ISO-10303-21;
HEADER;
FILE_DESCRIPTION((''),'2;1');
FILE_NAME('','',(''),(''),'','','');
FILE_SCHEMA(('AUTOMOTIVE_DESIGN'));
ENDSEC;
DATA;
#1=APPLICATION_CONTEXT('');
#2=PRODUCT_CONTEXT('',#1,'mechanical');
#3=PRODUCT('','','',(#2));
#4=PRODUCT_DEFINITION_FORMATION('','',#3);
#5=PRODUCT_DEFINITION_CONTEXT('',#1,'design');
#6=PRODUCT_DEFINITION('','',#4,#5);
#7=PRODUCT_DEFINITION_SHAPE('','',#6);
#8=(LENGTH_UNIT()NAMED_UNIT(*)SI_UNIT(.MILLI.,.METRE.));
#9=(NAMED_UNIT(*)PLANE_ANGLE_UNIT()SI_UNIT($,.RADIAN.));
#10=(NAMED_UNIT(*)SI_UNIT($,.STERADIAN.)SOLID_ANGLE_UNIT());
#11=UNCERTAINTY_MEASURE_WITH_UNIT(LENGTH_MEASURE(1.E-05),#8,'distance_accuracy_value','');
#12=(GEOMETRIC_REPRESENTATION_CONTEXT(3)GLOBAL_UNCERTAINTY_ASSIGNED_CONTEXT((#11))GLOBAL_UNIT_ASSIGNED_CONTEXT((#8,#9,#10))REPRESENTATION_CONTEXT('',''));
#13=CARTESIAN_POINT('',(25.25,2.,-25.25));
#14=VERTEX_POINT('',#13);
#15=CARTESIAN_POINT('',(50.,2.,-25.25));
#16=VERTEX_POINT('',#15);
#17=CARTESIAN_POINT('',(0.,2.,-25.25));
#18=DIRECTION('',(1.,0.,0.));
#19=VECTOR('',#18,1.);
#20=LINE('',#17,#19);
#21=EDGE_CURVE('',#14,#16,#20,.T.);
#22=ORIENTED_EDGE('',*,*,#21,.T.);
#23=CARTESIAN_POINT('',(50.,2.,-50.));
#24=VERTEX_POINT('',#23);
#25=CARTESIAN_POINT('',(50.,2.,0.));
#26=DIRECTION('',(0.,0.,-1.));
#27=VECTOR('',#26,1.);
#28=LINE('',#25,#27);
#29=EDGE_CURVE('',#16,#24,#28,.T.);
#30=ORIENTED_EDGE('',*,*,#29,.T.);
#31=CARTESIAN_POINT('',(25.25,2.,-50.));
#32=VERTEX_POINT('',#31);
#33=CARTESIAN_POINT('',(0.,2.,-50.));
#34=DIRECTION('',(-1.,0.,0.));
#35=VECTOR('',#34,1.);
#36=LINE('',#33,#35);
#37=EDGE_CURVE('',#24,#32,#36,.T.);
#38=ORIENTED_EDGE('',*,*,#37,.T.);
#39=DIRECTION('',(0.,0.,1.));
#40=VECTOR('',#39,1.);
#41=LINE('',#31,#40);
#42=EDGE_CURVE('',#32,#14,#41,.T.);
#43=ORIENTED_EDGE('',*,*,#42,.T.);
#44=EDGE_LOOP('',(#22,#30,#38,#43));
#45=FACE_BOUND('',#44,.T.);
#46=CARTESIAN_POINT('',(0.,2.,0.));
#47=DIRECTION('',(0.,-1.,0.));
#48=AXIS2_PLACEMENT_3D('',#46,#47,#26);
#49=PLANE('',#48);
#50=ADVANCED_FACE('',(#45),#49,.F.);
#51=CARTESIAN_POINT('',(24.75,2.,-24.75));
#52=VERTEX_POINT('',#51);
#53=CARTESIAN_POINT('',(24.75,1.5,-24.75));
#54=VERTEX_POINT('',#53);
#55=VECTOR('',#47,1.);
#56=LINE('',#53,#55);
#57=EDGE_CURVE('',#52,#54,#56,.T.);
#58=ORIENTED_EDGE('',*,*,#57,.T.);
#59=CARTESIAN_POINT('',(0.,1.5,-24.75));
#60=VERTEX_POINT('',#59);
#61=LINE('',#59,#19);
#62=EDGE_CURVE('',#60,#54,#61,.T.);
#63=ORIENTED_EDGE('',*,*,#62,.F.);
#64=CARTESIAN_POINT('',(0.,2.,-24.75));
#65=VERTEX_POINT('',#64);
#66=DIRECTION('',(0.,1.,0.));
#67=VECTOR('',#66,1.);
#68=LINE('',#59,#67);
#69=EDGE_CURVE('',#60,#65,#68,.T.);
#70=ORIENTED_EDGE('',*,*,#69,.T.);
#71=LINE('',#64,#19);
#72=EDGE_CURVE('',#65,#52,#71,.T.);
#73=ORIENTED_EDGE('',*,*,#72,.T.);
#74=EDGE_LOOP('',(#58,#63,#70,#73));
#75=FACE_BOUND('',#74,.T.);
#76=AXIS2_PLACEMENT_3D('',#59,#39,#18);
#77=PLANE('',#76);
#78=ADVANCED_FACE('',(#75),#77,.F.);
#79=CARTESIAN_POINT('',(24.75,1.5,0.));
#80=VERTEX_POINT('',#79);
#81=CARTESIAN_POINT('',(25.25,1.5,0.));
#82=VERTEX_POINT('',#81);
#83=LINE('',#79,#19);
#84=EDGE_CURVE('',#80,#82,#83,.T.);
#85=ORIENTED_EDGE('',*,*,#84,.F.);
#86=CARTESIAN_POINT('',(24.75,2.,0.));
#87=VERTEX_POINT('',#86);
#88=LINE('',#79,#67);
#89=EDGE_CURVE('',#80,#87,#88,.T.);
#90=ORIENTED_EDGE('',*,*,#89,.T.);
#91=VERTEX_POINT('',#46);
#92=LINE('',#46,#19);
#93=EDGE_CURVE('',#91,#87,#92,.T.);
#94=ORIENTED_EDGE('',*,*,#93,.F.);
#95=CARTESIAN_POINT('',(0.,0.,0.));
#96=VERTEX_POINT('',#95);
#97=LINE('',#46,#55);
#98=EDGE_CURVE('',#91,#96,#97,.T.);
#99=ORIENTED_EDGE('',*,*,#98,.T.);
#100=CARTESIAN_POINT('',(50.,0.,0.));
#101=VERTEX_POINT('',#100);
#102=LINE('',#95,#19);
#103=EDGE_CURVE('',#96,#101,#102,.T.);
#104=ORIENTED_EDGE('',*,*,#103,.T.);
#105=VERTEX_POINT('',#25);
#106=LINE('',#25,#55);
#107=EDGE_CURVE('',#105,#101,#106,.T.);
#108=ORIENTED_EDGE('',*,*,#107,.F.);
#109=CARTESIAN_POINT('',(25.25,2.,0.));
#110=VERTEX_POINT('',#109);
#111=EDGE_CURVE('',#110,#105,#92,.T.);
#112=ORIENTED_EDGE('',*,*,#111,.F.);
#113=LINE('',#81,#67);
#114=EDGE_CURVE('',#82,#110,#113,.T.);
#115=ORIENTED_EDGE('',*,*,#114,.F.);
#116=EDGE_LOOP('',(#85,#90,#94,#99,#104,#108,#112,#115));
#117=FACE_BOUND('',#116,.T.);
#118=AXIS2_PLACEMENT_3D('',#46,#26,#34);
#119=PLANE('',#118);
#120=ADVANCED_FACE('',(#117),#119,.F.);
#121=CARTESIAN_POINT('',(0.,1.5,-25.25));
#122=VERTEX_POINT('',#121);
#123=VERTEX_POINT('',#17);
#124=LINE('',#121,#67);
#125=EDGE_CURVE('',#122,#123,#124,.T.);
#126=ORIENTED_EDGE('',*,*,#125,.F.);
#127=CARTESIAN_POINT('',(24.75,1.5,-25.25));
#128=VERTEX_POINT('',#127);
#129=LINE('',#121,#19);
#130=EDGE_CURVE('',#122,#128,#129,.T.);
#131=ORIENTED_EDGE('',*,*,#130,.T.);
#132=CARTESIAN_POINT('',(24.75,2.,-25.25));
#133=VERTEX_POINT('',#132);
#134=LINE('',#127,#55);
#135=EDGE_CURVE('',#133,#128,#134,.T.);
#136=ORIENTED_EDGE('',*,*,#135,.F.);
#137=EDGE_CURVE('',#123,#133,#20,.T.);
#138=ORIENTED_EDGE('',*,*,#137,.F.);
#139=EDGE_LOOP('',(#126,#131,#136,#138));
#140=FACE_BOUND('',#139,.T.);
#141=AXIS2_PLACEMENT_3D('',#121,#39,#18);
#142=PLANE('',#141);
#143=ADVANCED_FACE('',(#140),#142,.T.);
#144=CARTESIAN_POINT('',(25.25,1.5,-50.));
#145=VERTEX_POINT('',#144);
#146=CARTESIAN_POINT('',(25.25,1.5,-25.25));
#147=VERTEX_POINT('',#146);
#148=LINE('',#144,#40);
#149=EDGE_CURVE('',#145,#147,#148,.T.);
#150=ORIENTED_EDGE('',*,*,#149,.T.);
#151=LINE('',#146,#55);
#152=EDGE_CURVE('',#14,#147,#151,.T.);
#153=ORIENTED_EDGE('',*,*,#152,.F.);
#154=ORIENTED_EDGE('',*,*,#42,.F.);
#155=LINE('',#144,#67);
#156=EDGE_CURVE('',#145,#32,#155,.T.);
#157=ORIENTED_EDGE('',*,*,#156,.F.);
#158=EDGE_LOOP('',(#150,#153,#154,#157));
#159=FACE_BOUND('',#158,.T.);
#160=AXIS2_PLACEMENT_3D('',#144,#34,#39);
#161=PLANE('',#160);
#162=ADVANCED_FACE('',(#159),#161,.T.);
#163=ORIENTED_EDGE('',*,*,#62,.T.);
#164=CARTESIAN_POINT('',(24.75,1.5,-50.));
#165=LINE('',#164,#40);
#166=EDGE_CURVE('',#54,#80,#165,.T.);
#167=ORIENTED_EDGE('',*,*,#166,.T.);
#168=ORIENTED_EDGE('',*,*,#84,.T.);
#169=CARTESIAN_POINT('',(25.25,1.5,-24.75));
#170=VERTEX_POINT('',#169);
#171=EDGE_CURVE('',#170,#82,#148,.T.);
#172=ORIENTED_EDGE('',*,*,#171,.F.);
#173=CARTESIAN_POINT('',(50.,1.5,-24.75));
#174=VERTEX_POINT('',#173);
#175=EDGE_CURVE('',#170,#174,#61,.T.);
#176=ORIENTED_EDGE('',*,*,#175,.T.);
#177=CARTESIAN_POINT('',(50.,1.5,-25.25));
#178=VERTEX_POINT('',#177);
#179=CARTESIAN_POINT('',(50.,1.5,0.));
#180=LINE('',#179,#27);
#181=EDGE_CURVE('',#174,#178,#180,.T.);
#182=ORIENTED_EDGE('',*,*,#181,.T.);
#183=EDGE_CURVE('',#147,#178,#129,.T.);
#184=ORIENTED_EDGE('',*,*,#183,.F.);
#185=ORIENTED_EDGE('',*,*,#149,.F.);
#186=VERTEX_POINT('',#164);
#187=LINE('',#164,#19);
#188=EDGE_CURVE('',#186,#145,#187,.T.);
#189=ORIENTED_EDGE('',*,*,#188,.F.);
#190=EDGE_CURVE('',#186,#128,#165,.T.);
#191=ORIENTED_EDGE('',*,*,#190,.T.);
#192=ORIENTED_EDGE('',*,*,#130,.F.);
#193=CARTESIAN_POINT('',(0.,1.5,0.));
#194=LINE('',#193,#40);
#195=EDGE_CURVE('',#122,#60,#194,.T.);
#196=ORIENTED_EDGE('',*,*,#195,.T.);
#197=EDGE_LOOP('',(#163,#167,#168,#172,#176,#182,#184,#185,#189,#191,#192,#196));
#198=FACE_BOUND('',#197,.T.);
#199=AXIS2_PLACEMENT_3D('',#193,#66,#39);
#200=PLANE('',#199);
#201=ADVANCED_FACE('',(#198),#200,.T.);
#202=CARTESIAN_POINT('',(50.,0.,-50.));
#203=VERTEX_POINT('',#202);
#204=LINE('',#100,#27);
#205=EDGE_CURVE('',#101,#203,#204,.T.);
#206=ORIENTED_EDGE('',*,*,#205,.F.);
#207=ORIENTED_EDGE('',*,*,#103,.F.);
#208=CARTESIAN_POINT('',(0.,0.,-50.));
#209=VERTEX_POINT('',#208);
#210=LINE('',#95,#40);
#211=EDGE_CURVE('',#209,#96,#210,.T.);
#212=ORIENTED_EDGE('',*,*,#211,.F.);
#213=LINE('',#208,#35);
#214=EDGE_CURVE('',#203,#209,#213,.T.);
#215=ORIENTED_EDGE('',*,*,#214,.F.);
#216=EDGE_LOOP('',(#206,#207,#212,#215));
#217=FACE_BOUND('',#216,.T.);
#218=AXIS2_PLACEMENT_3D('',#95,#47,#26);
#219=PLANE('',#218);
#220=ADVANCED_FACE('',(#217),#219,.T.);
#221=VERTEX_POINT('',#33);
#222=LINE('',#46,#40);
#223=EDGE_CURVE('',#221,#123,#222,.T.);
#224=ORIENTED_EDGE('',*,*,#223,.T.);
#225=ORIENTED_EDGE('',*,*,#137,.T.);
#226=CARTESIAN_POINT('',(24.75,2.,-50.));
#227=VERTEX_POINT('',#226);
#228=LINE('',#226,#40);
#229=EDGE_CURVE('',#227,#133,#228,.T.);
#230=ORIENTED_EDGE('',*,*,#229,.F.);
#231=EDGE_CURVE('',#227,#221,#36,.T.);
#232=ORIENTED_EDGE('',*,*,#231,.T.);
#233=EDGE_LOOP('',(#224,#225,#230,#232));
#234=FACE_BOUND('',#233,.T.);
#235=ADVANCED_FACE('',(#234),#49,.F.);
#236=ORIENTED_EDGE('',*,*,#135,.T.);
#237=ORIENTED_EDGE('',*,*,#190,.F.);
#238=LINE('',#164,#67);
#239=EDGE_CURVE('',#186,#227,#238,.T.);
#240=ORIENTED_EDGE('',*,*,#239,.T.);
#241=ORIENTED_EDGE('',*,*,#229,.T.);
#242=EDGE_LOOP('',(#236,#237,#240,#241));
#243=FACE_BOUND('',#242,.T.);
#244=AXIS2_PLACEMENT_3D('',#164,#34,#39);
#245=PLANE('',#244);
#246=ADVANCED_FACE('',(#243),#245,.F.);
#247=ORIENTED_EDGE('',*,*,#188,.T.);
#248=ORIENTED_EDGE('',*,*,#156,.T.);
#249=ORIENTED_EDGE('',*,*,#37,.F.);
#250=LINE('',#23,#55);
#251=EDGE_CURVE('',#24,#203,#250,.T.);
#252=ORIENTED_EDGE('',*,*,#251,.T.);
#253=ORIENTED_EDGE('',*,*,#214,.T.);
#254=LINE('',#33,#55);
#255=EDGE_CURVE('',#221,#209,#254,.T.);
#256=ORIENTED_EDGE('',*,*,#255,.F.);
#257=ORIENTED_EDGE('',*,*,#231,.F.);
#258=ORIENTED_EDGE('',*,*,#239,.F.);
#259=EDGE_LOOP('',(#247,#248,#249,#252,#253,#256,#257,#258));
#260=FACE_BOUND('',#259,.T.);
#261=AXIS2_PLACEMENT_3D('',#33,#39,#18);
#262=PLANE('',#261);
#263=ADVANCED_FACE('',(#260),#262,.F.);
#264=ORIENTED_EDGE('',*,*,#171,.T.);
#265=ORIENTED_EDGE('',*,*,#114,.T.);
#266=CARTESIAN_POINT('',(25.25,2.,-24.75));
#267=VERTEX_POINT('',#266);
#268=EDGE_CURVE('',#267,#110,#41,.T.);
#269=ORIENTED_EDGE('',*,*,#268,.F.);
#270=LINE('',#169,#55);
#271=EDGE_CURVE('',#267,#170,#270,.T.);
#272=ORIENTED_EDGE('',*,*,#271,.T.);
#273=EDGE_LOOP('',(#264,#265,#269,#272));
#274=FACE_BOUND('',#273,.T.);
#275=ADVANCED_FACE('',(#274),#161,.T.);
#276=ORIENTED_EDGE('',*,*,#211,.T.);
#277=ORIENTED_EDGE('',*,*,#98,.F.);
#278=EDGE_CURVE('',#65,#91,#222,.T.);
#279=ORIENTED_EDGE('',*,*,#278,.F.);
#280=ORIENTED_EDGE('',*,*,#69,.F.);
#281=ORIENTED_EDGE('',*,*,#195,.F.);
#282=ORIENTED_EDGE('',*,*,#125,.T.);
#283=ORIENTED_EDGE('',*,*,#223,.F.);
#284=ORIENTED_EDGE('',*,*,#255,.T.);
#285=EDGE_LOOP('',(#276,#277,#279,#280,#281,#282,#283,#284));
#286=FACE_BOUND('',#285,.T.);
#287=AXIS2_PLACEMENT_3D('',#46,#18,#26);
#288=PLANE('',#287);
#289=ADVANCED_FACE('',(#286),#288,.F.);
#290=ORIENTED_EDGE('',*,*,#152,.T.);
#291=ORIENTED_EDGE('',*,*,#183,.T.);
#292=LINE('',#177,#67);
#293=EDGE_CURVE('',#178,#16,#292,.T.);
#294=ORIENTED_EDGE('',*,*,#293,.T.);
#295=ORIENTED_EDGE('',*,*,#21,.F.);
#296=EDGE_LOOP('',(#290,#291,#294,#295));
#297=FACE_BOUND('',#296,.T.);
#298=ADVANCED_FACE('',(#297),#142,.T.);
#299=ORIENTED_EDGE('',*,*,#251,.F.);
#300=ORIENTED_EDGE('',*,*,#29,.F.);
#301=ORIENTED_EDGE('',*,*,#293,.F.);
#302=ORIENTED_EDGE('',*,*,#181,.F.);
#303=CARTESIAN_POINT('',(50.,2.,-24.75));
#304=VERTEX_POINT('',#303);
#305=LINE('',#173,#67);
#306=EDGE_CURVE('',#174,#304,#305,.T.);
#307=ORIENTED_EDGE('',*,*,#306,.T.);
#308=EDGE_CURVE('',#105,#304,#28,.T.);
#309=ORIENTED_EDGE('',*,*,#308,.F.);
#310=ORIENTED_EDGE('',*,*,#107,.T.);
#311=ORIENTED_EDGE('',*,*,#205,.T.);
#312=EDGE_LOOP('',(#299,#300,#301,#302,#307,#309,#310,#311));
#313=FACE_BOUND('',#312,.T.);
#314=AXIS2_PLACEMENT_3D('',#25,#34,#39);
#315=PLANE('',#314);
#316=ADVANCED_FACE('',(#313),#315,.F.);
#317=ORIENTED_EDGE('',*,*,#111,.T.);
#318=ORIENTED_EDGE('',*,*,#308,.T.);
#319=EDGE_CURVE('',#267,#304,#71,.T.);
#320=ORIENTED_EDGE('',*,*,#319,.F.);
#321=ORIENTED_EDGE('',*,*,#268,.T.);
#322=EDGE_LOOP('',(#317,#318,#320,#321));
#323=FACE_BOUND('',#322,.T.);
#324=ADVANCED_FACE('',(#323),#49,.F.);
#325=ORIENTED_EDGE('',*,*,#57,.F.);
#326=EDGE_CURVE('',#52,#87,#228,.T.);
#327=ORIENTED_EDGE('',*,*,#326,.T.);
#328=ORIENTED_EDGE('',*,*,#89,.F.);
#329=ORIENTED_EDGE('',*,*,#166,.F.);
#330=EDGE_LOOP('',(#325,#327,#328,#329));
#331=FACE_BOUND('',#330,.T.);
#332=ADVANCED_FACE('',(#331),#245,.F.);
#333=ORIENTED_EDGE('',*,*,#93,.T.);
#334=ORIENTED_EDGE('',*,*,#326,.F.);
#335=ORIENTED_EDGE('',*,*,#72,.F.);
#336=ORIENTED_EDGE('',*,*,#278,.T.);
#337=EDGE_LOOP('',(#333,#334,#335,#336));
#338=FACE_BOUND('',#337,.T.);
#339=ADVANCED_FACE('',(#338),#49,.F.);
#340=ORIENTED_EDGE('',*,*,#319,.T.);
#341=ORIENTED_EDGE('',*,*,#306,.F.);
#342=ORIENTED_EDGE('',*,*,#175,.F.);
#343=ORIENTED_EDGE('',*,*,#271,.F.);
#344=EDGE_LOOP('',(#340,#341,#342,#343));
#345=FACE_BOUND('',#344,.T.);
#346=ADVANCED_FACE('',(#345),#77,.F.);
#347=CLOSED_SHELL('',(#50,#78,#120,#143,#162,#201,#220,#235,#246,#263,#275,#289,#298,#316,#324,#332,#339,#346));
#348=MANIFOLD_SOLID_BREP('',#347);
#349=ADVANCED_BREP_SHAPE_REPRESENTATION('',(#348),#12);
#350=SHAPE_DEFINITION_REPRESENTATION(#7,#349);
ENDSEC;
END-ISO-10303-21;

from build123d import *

# Parameters (mm, degrees)
SKETCH1_W           = 50
SKETCH1_H           = 50
BOSS_EXTRUDE1_DEPTH = 2
SKETCH2_W           = 0.5
SKETCH2_H           = 50
SKETCH2_W_2         = 50
SKETCH2_H_2         = 0.5
CUT_EXTRUDE1_DEPTH  = 0.5


with BuildPart() as part:
    # Sketch1 → Boss-Extrude1 (new body)
    with BuildSketch(Plane(origin=(0, 0, 0), x_dir=(1, 0, 0), z_dir=(0, 1, 0))):
        with Locations((25, 25)):
            Rectangle(SKETCH1_W, SKETCH1_H)
    extrude(amount=BOSS_EXTRUDE1_DEPTH)

    # Sketch2 → Cut-Extrude1 (cut)
    with BuildSketch(Plane(origin=(0, 2, 0), x_dir=(1, 0, 0), z_dir=(0, 1, 0))):
        with Locations((25, 25)):
            Rectangle(SKETCH2_W, SKETCH2_H)
        with Locations((25, 25)):
            Rectangle(SKETCH2_W_2, SKETCH2_H_2)
    extrude(amount=-CUT_EXTRUDE1_DEPTH, mode=Mode.SUBTRACT)


solid = part.part
